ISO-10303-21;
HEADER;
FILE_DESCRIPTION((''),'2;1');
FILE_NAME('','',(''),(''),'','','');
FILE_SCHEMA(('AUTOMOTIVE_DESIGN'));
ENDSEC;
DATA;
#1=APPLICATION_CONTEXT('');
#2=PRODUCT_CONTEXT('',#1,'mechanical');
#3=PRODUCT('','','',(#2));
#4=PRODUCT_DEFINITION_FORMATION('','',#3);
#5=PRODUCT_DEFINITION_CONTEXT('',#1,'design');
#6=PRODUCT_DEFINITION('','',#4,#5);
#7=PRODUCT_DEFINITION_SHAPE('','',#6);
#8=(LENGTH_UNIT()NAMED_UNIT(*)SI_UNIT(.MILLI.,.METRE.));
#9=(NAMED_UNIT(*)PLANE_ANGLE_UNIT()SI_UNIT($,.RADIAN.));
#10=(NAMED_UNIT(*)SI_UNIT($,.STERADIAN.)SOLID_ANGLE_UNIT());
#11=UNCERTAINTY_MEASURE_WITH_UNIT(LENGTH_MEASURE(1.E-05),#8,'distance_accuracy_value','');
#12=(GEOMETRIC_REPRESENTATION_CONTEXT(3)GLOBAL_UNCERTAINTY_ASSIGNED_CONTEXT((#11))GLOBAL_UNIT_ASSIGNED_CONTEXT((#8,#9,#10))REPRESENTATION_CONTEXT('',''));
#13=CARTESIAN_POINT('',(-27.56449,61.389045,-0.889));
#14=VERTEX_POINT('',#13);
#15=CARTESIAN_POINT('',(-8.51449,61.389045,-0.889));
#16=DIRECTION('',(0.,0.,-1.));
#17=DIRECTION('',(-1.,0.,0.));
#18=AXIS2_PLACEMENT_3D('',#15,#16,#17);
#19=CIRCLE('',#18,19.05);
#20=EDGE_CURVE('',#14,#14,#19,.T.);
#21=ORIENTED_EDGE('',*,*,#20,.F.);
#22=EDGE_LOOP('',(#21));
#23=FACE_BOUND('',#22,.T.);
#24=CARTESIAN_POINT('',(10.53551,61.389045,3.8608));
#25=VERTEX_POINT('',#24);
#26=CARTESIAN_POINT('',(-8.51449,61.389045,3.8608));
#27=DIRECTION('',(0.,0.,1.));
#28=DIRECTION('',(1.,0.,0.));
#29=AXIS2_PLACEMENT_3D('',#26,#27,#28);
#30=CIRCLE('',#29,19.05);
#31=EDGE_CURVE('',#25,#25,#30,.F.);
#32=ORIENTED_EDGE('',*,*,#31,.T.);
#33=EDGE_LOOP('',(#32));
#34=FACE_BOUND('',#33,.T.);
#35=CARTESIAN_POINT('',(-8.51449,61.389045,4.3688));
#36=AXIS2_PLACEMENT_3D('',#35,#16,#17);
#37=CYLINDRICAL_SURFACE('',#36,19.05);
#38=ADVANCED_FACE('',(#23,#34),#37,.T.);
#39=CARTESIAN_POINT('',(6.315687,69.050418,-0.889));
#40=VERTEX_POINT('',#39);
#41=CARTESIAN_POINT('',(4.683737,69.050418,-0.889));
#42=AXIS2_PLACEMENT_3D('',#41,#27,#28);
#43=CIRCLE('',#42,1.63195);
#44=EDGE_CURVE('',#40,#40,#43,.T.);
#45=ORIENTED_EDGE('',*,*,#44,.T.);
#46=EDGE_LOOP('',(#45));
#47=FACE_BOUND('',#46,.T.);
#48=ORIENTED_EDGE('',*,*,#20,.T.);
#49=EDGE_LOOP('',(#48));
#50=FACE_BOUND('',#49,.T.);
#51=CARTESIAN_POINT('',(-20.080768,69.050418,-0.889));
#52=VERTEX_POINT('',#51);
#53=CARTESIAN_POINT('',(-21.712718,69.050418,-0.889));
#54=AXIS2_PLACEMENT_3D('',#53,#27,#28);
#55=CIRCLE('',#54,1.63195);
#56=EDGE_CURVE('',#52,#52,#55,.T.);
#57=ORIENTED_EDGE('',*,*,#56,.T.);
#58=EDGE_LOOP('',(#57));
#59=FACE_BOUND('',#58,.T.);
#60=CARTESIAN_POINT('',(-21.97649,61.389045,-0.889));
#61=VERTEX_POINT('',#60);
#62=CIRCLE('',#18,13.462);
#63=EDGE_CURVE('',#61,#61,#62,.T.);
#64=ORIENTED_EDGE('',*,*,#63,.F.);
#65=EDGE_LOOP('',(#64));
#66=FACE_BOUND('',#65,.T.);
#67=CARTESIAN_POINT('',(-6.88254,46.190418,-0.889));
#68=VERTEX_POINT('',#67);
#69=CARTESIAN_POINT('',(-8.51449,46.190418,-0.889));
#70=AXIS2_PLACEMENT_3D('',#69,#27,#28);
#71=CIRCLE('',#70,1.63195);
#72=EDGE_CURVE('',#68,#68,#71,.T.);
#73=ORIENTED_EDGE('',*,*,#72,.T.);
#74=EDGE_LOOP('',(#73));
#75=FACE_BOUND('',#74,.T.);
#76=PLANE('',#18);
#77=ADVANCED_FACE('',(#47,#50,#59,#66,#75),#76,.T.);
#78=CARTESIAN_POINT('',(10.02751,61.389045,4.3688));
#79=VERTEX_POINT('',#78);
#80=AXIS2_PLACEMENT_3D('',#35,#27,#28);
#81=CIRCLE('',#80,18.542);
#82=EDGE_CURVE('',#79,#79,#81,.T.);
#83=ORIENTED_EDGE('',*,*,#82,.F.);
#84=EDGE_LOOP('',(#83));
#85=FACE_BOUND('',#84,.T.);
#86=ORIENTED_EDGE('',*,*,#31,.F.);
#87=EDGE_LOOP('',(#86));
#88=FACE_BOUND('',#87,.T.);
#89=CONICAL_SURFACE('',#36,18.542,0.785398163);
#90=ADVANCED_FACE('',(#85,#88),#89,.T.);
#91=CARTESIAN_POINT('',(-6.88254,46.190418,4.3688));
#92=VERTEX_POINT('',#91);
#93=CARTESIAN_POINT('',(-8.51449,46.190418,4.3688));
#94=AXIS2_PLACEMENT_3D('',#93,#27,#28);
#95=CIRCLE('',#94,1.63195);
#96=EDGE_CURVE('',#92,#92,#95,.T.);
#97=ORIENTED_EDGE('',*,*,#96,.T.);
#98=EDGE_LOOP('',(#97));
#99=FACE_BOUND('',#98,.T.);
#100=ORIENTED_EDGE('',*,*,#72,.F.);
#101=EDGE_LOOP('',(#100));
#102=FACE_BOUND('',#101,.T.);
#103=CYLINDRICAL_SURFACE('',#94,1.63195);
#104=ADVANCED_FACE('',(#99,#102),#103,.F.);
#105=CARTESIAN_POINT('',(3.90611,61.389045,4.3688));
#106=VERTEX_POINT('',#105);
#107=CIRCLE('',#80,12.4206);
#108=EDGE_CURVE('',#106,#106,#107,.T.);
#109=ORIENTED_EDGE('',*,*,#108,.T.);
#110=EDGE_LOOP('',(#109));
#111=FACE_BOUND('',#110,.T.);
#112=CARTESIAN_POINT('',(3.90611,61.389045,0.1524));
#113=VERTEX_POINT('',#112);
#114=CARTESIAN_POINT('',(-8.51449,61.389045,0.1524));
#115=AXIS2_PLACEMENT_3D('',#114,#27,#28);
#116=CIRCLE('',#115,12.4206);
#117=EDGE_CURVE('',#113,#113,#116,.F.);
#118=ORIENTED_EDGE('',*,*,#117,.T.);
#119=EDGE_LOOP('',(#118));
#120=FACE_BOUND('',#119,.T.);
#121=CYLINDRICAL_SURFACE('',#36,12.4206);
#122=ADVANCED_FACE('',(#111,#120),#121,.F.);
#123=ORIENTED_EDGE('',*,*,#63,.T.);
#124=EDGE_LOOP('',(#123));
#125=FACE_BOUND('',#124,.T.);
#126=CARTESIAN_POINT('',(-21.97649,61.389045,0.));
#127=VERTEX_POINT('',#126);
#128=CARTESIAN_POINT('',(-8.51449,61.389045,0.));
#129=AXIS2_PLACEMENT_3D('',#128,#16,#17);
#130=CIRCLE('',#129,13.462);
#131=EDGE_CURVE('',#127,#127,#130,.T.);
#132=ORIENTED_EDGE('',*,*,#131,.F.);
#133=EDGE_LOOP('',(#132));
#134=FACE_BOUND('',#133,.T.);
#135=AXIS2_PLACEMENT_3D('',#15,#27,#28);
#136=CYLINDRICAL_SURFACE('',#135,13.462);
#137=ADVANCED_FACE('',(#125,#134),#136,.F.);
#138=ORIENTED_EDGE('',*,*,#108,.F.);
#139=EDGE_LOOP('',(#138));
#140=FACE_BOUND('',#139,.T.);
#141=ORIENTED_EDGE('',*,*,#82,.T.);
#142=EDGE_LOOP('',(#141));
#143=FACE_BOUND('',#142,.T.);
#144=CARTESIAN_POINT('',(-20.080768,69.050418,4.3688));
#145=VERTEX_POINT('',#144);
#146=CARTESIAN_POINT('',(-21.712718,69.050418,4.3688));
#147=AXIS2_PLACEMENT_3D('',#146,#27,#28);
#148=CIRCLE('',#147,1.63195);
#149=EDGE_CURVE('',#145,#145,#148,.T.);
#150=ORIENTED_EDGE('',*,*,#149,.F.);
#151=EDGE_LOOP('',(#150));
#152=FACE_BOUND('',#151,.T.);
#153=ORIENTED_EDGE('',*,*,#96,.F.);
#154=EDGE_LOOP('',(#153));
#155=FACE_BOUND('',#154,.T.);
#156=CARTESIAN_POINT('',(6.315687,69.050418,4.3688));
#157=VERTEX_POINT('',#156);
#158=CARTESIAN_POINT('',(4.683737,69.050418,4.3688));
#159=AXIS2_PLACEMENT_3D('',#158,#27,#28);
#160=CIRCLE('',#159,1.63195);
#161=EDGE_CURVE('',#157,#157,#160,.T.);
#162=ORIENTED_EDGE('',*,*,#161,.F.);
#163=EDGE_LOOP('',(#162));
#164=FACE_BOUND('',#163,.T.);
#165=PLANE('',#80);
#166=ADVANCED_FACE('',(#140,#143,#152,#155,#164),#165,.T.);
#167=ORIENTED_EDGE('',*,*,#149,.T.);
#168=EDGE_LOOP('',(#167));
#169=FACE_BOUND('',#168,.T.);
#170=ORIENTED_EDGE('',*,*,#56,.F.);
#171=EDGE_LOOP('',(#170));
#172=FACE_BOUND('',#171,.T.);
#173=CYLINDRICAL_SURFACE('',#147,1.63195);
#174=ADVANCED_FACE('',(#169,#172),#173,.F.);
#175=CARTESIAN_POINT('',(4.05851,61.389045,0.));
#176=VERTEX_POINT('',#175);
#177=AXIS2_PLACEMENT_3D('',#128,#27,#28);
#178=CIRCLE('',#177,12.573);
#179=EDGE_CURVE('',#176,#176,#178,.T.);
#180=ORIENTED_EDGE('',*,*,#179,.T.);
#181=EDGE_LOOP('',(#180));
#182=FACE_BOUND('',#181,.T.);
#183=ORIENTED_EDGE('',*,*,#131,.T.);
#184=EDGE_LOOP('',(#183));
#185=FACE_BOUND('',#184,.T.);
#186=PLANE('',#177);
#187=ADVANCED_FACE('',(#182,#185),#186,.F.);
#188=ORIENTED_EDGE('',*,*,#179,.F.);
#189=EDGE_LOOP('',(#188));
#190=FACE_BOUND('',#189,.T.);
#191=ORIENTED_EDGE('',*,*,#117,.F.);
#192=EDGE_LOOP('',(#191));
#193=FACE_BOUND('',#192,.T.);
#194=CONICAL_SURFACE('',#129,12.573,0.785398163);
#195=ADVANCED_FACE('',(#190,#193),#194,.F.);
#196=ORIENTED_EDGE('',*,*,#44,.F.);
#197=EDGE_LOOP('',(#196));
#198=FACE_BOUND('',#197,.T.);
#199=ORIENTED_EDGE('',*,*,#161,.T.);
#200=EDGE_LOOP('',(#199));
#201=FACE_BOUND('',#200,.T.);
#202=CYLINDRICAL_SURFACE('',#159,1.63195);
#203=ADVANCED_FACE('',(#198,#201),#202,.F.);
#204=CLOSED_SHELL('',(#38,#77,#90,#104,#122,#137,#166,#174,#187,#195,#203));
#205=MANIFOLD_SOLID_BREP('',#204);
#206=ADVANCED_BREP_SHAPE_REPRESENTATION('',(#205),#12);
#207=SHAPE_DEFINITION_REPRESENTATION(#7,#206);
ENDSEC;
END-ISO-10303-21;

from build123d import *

# Parameters (mm, degrees)
SKETCH1_R             = 19.05
SKETCH1_R_2           = 12.4206
BOSS_EXTRUDE1_DEPTH   = 4.3688
SKETCH4_R             = 19.05
SKETCH4_R_2           = 13.462
BOSS_EXTRUDE2_DEPTH   = 0.889
F_4_CLEARANCE_HOLE1_D = 3.2639
CHAMFER1_SIZE         = 0.1524
CHAMFER2_SIZE         = 0.508


with BuildPart() as part:
    # Sketch1 → Boss-Extrude1 (new body)
    with BuildSketch(Plane.XY):
        with Locations((-8.514490438, 61.389045102)):
            Circle(SKETCH1_R)
        with Locations((-8.514490438, 61.389045102)):
            Circle(SKETCH1_R_2, mode=Mode.SUBTRACT)
    extrude(amount=BOSS_EXTRUDE1_DEPTH)

    # Sketch4 → Boss-Extrude2 (add)
    with BuildSketch(Plane(origin=(0, 0, 0), x_dir=(-1, 0, 0), z_dir=(0, 0, -1))):
        with Locations((8.514490438, 61.389045102)):
            Circle(SKETCH4_R)
        with Locations((8.514490438, 61.389045102)):
            Circle(SKETCH4_R_2, mode=Mode.SUBTRACT)
    extrude(amount=BOSS_EXTRUDE2_DEPTH)

    # #4 Clearance Hole1 (through all)
    with Locations(Plane(origin=(-12.913159706, 9.247820606, 4.3688), x_dir=(1, 0, 0), z_dir=(0, 0, 1))):
        with Locations((17.596896421, 59.80259772), (-8.799557886, 59.80259772), (4.398669267, 36.94259772)):
            Hole(F_4_CLEARANCE_HOLE1_D / 2)

    # Chamfer1
    chamfer1_edges = [part.edges().sort_by_distance(p)[0] for p in [
        (-20.935090438, 61.389045102, 0),
    ]]
    chamfer(chamfer1_edges, length=CHAMFER1_SIZE)

    # Chamfer2
    chamfer2_edges = [part.edges().sort_by_distance(p)[0] for p in [
        (-27.564490438, 61.389045102, 4.3688),
    ]]
    chamfer(chamfer2_edges, length=CHAMFER2_SIZE)


solid = part.part
